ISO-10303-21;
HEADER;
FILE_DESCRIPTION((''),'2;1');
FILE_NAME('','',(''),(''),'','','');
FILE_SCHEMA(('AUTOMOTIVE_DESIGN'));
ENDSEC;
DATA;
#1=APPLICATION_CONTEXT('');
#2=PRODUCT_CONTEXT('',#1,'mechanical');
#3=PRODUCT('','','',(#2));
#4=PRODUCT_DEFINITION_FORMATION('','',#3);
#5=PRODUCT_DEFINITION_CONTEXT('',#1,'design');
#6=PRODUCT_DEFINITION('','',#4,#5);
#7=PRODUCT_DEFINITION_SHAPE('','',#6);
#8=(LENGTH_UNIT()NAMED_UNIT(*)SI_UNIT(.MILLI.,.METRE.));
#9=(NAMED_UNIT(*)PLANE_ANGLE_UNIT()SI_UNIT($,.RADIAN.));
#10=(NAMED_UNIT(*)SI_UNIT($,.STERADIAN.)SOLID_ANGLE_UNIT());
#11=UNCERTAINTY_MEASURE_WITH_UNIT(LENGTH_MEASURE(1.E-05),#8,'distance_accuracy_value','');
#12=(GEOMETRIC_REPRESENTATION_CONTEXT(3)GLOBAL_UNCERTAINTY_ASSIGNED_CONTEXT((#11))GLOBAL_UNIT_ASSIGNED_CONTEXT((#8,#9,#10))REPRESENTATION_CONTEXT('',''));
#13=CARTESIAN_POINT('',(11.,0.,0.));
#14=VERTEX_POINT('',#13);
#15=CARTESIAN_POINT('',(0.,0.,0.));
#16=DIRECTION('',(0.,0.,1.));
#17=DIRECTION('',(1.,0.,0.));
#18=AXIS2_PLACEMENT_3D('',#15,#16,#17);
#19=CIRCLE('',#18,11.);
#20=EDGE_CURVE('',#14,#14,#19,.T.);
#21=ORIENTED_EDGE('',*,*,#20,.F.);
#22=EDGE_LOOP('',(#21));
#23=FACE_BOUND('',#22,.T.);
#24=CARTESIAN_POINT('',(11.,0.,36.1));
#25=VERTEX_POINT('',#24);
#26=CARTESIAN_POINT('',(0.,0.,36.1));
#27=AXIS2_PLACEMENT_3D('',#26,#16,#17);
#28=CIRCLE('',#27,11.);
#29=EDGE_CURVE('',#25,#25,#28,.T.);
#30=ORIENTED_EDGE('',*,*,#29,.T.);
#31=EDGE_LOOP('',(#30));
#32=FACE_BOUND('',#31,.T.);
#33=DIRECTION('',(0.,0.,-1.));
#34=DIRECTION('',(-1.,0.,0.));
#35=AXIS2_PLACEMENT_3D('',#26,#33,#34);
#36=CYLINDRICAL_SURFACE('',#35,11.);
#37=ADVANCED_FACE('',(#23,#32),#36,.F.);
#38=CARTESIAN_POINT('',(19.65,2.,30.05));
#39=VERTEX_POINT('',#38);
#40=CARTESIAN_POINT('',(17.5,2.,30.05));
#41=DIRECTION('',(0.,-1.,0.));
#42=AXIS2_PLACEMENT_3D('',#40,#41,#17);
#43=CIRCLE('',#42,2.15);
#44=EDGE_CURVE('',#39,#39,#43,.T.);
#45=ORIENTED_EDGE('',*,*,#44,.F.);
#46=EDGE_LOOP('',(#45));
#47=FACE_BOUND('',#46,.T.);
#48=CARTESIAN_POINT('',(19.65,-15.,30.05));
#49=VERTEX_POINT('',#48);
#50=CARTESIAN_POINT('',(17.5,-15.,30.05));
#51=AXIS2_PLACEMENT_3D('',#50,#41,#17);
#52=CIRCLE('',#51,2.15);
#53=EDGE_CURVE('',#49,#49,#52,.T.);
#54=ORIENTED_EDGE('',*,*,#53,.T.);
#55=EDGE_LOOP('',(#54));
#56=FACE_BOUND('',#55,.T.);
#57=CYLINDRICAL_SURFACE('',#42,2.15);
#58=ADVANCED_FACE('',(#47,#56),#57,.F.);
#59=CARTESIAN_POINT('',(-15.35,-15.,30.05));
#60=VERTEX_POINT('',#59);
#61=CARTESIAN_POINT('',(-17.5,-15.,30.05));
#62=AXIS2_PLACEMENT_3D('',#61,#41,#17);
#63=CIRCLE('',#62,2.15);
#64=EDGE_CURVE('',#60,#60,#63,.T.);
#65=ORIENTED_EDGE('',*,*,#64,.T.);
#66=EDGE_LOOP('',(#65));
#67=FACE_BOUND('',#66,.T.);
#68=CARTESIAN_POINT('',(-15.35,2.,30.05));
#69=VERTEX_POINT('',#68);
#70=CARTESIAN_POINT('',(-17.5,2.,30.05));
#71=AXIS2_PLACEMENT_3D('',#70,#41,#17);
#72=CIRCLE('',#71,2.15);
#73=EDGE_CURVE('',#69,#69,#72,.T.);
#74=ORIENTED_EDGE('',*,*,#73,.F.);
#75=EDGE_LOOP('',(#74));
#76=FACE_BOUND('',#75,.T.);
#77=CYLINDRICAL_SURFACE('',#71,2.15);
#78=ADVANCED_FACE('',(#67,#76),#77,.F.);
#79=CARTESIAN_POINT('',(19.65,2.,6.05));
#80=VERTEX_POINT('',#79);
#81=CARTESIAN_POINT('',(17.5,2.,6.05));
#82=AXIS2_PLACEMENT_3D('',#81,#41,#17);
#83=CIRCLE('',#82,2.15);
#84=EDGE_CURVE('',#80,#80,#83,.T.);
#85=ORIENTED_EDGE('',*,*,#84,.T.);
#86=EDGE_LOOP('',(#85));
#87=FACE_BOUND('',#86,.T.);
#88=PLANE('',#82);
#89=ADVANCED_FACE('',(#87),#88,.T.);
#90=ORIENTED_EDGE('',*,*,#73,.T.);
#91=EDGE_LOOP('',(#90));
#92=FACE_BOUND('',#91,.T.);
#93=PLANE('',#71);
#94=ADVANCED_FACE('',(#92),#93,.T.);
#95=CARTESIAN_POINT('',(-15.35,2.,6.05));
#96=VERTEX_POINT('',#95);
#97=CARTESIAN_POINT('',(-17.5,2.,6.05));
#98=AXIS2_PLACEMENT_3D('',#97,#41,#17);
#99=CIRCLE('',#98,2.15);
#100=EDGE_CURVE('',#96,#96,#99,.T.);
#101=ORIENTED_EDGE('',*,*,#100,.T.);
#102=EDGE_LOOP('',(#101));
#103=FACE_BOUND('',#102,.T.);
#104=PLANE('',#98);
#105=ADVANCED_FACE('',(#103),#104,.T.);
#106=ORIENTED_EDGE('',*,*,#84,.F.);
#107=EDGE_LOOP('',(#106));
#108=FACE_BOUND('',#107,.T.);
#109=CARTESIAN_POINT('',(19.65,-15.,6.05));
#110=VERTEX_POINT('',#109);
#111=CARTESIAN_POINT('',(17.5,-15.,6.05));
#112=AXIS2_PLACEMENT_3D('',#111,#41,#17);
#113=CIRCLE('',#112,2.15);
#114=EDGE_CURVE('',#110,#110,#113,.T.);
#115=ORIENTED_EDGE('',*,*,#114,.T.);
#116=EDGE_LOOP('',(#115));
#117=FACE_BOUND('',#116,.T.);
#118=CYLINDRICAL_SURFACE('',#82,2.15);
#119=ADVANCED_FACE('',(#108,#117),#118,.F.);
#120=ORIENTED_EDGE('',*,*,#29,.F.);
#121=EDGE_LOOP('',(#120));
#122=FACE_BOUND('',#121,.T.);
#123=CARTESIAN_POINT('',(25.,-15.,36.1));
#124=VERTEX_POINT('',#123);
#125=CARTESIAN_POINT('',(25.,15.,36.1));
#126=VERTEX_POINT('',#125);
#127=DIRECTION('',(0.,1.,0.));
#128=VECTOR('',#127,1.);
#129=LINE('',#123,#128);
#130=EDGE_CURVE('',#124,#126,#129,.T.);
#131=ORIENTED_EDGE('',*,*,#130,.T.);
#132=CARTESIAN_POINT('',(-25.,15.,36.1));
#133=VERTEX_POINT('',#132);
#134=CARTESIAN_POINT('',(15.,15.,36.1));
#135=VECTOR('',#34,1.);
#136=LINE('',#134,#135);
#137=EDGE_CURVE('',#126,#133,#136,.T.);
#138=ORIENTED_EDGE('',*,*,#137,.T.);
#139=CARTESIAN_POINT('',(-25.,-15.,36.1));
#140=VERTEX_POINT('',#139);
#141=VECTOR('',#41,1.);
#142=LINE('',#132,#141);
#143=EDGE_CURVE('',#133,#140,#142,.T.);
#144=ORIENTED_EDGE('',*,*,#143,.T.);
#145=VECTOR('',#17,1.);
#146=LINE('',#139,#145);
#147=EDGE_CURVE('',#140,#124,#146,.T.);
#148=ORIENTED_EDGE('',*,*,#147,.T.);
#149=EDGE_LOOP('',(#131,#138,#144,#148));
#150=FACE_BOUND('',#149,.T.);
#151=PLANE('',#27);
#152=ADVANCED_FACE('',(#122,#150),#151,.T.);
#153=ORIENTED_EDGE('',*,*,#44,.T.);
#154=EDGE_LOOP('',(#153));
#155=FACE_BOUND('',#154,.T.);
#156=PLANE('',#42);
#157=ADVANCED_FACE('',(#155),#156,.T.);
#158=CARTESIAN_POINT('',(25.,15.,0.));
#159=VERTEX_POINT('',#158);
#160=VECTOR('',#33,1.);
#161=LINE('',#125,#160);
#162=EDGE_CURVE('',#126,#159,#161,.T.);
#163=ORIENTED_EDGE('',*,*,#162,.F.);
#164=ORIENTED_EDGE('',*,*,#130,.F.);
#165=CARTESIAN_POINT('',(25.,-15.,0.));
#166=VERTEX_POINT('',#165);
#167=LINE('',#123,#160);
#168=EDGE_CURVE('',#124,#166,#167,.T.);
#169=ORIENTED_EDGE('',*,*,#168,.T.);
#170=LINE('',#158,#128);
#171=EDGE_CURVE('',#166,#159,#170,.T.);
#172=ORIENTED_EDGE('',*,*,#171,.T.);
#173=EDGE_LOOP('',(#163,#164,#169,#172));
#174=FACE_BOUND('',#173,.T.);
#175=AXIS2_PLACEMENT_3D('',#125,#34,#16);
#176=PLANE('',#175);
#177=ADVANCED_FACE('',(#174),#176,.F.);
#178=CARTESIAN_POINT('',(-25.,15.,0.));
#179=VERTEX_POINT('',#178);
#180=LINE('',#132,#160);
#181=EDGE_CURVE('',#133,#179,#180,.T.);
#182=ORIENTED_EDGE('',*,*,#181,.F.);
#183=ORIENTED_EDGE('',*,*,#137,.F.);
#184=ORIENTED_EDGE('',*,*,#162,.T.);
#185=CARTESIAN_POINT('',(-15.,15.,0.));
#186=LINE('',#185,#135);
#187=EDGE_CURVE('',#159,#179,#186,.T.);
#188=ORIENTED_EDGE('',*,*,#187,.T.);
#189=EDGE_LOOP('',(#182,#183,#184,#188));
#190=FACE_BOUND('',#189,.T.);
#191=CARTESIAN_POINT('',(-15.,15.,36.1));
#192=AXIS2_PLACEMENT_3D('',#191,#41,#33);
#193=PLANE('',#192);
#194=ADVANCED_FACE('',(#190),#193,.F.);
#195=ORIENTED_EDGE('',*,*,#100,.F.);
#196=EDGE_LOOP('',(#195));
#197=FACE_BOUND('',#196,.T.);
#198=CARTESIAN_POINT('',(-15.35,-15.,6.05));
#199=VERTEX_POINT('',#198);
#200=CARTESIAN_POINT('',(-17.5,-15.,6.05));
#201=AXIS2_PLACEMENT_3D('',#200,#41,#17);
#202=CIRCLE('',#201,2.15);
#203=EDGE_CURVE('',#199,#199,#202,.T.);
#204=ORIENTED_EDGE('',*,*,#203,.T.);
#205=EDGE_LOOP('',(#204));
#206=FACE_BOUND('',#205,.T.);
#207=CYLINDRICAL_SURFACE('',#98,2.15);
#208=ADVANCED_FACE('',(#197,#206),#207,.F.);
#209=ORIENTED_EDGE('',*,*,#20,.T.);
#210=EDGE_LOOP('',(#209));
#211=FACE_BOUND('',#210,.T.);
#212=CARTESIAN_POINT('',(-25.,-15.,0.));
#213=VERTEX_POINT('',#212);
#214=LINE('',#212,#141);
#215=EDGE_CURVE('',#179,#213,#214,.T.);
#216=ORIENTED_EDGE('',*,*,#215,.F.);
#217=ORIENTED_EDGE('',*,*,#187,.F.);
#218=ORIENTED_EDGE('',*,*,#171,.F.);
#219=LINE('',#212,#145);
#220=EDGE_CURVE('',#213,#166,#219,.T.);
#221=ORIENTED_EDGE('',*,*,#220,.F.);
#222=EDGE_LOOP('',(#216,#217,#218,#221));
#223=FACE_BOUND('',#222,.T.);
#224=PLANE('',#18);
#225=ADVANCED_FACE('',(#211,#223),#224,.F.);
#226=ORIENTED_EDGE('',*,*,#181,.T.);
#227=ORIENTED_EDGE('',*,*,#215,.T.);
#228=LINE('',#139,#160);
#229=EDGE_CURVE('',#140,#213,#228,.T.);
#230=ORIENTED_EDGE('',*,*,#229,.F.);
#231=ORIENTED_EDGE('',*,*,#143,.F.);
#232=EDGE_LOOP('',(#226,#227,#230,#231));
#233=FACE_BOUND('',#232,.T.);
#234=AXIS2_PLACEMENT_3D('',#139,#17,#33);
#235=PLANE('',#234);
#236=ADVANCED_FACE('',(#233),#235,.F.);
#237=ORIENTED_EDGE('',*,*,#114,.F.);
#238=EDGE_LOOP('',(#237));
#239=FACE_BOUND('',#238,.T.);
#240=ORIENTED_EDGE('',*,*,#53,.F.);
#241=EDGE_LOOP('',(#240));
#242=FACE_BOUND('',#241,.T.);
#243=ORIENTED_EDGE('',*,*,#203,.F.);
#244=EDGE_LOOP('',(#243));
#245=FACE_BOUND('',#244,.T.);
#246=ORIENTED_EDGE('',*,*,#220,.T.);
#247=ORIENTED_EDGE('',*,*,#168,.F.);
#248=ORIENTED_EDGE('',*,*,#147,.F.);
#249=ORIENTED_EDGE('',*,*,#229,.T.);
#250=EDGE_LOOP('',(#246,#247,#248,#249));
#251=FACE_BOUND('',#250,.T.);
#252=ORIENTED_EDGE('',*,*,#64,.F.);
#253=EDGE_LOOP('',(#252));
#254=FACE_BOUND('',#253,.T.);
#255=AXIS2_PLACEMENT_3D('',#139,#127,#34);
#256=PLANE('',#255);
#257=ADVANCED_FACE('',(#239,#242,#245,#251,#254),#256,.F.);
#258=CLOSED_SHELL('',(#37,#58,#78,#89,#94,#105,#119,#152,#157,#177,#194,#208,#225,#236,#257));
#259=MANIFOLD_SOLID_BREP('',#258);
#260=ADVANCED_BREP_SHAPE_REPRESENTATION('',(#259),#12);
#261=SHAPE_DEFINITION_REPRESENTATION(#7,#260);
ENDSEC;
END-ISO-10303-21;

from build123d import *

# Parameters (mm, degrees)
SKETCH1_R           = 11
BOSS_EXTRUDE1_DEPTH = 36.1
SKETCH3_R           = 2.15
CUT_EXTRUDE1_DEPTH  = 17


with BuildPart() as part:
    # Sketch1 → Boss-Extrude1 (new body)
    with BuildSketch(Plane.XY):
        Polygon((-15, 15), (15, 15), (25, 15), (25, 5), (25, -15), (-25, -15), (-25, 5), (-25, 15), align=None)
        Circle(SKETCH1_R, mode=Mode.SUBTRACT)
    extrude(amount=BOSS_EXTRUDE1_DEPTH)

    # Sketch3 → Cut-Extrude1 (cut)
    with BuildSketch(Plane.XZ.offset(15)):
        with Locations((-17.5, 30.05)):
            Circle(SKETCH3_R)
        with Locations((17.5, 30.05)):
            Circle(SKETCH3_R)
        with Locations((17.5, 6.05)):
            Circle(SKETCH3_R)
        with Locations((-17.5, 6.05)):
            Circle(SKETCH3_R)
    extrude(amount=-CUT_EXTRUDE1_DEPTH, mode=Mode.SUBTRACT)


solid = part.part
